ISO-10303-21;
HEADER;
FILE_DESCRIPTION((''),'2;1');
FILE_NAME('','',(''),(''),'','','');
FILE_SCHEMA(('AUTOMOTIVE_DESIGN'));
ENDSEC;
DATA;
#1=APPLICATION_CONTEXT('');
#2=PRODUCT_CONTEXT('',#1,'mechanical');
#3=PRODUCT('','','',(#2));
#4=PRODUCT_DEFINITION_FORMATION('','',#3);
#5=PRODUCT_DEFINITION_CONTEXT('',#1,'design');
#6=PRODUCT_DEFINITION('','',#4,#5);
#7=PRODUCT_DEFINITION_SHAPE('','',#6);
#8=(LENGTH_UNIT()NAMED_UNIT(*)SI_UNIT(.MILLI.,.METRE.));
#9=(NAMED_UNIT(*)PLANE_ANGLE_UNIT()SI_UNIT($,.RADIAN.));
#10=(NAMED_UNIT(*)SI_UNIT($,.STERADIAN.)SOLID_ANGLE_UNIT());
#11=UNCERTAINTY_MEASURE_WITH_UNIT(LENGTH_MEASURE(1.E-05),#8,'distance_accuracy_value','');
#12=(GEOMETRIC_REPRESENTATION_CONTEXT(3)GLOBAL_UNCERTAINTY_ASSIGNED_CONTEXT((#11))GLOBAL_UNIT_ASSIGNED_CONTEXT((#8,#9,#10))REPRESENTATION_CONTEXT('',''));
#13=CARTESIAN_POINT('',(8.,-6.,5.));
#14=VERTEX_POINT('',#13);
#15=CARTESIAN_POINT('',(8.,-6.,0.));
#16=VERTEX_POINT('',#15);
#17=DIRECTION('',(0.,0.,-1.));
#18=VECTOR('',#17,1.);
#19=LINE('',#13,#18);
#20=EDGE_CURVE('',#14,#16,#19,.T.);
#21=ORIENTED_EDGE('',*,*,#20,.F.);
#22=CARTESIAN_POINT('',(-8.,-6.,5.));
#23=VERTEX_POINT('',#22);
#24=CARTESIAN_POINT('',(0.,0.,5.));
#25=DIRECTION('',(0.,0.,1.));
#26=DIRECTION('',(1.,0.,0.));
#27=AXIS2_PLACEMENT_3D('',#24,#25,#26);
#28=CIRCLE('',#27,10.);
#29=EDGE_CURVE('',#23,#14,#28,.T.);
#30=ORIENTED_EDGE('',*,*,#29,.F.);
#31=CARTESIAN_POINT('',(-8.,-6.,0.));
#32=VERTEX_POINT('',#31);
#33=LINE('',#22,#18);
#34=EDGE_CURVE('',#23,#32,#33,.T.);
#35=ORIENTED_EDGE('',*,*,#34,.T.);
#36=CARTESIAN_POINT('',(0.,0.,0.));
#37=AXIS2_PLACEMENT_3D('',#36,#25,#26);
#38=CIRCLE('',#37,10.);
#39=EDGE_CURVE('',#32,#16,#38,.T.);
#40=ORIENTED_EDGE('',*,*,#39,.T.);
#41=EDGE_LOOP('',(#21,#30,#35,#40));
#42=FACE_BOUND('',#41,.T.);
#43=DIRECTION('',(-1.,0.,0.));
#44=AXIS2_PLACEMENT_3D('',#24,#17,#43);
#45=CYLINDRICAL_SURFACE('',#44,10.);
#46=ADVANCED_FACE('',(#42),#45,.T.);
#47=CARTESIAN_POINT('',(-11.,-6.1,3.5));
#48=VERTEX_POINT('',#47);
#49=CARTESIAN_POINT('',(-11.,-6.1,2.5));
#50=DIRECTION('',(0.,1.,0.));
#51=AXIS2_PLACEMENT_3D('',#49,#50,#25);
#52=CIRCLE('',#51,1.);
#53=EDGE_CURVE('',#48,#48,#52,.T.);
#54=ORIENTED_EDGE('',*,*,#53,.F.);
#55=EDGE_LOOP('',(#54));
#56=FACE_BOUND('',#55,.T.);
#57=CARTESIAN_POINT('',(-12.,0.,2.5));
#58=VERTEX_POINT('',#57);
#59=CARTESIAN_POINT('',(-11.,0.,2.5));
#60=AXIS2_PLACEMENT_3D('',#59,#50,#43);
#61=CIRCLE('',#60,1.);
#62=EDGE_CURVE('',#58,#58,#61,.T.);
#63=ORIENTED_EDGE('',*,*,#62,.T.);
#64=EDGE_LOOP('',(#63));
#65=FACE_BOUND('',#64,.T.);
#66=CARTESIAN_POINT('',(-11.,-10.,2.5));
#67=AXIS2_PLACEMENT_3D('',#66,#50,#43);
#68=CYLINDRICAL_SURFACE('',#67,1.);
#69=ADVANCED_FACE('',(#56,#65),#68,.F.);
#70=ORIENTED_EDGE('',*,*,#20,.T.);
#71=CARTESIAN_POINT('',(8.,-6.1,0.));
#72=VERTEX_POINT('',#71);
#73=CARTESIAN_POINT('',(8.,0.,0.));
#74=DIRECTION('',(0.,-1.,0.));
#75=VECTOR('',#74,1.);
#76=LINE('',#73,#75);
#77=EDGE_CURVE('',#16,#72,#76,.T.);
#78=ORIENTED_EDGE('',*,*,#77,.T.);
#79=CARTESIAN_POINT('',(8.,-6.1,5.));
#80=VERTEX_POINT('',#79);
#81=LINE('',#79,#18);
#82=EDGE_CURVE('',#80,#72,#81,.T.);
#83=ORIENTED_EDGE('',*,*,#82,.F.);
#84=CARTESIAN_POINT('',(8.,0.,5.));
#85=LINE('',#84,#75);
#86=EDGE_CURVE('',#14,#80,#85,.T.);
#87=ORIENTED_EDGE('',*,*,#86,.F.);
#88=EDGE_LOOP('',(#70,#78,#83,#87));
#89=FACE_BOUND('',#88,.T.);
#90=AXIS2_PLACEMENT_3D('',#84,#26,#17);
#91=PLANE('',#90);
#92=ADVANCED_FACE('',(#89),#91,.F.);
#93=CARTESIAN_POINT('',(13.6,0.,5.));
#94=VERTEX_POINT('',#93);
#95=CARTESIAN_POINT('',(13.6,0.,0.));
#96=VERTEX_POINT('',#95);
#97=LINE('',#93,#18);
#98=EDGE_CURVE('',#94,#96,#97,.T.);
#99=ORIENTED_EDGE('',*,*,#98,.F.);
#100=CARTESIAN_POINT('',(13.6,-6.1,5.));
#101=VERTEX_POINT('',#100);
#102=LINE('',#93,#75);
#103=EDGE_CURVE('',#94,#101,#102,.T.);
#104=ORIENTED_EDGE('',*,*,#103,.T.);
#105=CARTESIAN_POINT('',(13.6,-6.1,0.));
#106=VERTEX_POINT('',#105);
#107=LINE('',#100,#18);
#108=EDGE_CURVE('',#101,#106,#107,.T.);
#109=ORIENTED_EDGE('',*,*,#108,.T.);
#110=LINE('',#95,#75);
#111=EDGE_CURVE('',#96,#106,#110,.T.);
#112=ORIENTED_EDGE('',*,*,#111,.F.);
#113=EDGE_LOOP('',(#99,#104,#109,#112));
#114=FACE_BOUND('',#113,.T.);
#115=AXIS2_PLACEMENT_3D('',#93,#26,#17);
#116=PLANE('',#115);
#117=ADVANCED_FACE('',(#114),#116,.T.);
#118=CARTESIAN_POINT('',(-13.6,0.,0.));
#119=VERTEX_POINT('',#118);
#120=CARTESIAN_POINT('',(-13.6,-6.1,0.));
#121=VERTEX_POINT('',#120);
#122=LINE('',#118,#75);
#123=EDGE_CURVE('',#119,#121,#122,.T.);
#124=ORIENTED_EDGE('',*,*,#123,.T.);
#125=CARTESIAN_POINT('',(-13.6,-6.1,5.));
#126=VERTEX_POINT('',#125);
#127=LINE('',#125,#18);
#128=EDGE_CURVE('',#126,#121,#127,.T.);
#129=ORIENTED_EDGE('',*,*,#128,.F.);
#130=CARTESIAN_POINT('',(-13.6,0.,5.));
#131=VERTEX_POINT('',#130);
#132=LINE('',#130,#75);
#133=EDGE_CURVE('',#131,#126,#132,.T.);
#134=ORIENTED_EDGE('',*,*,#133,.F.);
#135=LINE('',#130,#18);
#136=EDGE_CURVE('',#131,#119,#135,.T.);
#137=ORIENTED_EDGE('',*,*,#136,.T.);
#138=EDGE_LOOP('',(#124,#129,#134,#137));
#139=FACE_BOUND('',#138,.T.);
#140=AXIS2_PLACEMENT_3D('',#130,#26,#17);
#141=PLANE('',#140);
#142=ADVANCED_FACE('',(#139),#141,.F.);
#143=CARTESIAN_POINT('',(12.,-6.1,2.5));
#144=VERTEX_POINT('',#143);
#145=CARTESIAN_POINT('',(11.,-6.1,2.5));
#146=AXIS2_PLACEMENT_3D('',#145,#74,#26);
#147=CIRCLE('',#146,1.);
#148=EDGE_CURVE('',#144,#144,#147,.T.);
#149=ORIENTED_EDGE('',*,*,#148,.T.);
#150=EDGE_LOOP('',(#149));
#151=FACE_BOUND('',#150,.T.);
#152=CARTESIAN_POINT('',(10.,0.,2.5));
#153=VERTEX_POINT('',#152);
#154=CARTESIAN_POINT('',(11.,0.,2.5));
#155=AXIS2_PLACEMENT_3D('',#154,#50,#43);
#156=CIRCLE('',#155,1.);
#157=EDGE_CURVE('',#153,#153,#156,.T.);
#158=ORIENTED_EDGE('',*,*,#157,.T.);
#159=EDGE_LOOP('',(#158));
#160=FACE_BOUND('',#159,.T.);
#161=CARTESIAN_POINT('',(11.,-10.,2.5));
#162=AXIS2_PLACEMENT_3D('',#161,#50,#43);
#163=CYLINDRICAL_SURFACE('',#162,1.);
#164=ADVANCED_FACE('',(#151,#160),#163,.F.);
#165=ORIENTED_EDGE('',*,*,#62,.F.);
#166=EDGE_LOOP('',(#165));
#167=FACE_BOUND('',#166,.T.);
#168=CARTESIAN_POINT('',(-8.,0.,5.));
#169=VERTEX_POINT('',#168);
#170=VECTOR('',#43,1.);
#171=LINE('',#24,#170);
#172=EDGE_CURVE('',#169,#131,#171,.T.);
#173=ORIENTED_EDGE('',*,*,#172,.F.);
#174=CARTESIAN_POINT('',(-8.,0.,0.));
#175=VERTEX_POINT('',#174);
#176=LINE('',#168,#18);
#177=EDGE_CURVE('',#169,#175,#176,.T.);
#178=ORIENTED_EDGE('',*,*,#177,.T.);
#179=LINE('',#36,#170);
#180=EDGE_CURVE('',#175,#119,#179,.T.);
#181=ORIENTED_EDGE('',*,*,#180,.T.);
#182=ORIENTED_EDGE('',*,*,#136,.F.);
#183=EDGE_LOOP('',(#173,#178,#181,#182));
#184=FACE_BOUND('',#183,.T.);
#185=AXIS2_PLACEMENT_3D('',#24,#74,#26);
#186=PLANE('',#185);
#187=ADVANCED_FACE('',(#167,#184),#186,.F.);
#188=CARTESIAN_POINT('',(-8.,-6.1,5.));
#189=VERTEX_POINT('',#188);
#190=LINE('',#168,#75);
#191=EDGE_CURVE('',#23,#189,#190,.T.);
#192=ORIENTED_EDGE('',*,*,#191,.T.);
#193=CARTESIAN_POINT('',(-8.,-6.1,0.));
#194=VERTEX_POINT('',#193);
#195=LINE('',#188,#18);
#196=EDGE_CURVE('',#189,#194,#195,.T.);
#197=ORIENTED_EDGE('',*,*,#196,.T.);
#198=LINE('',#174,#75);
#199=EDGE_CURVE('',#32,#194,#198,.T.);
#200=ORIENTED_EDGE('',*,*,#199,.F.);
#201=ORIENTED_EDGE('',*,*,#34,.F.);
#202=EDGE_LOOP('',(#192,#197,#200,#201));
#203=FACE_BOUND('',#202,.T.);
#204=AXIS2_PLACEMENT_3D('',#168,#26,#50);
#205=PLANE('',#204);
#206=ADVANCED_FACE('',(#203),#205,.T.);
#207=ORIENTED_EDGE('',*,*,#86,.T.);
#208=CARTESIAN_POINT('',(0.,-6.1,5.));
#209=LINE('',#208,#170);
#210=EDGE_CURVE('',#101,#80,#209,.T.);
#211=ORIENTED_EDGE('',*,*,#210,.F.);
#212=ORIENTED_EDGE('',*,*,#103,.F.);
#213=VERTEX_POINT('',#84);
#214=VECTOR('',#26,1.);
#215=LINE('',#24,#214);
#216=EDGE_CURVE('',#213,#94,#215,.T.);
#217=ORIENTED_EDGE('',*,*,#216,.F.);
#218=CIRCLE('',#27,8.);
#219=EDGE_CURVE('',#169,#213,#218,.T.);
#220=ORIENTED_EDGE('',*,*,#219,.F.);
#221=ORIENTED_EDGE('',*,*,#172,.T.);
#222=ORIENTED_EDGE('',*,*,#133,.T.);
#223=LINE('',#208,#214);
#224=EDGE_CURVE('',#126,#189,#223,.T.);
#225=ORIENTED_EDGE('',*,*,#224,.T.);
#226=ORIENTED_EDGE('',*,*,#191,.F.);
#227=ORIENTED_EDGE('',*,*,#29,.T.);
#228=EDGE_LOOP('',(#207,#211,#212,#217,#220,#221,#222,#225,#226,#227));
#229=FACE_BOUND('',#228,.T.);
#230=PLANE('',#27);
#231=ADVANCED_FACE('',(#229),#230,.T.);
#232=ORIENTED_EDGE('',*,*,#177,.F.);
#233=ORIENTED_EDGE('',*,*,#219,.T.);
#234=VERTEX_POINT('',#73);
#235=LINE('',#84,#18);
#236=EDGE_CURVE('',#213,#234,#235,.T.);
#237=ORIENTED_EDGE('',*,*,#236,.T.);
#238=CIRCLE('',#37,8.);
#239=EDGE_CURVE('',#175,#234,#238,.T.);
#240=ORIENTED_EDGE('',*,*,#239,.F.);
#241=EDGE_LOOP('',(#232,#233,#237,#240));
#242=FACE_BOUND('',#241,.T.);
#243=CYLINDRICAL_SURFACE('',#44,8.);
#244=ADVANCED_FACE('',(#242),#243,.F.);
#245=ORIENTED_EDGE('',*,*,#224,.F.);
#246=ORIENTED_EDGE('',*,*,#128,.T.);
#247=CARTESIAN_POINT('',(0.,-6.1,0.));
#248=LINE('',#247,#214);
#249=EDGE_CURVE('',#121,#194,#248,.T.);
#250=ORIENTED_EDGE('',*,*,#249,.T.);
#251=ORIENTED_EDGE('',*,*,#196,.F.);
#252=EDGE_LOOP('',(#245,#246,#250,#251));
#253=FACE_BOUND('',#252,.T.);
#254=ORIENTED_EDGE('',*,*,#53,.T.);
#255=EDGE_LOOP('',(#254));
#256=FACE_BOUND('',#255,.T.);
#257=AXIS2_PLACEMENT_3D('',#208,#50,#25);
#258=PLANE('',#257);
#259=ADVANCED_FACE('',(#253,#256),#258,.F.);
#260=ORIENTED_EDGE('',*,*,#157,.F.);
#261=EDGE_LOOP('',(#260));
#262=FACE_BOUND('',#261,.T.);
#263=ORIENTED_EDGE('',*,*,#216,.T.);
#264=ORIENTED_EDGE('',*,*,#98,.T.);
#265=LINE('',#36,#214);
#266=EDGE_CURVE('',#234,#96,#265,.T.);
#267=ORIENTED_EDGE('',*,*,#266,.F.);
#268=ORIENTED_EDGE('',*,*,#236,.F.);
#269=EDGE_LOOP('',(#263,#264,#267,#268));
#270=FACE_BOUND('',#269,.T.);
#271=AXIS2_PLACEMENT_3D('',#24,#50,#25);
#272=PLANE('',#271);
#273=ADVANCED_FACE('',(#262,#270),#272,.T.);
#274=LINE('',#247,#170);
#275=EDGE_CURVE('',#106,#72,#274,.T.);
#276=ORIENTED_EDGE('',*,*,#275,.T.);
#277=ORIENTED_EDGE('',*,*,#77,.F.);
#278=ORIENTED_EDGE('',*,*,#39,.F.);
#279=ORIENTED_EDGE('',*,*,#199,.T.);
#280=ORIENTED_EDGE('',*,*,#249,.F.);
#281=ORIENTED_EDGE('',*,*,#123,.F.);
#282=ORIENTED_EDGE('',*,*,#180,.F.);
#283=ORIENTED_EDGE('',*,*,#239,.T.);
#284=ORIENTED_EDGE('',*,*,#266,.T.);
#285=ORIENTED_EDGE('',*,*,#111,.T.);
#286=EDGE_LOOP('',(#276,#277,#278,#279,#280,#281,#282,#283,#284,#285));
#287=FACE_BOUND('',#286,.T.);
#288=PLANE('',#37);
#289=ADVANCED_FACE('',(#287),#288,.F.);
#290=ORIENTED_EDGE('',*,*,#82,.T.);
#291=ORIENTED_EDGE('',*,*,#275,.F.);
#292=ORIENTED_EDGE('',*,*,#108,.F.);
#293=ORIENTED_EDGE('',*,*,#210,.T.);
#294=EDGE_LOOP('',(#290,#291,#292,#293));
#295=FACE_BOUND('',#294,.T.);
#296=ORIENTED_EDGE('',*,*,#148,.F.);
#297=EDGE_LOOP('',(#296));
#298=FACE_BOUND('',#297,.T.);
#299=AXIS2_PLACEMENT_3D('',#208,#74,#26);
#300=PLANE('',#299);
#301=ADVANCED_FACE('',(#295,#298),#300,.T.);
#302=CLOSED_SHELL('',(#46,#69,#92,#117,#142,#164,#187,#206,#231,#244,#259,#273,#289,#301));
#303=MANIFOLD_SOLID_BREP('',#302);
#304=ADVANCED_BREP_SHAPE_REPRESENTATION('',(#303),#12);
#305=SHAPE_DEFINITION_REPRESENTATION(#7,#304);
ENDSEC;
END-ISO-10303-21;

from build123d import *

# Parameters (mm, degrees)
BOSS_EXTRUDE1_DEPTH = 5
SKETCH3_R           = 1
CUT_EXTRUDE1_DEPTH  = 10


with BuildPart() as part:
    # Sketch2 → Boss-Extrude1 (new body)
    with BuildSketch(Plane.XY):
        with BuildLine():
            ThreePointArc((-8, -6), (0, -10), (8, -6))
            Line((8, -6), (8, -6.1))
            Line((8, -6.1), (13.6, -6.1))
            Line((13.6, -6.1), (13.6, 0))
            Line((13.6, 0), (8, 0))
            ThreePointArc((8, 0), (0, -8), (-8, 0))
            Line((-8, 0), (-13.6, 0))
            Line((-13.6, 0), (-13.6, -6.1))
            Line((-13.6, -6.1), (-8, -6.1))
            Line((-8, -6.1), (-8, -6))
        make_face()
    extrude(amount=BOSS_EXTRUDE1_DEPTH)

    # Sketch3 → Cut-Extrude1 (cut)
    with BuildSketch(Plane(origin=(0, 0, 0), x_dir=(1, 0, 0), z_dir=(0, 1, 0))):
        with Locations((-11, -2.5)):
            Circle(SKETCH3_R)
        with Locations((11, -2.5)):
            Circle(SKETCH3_R)
    extrude(amount=-CUT_EXTRUDE1_DEPTH, mode=Mode.SUBTRACT)


solid = part.part
